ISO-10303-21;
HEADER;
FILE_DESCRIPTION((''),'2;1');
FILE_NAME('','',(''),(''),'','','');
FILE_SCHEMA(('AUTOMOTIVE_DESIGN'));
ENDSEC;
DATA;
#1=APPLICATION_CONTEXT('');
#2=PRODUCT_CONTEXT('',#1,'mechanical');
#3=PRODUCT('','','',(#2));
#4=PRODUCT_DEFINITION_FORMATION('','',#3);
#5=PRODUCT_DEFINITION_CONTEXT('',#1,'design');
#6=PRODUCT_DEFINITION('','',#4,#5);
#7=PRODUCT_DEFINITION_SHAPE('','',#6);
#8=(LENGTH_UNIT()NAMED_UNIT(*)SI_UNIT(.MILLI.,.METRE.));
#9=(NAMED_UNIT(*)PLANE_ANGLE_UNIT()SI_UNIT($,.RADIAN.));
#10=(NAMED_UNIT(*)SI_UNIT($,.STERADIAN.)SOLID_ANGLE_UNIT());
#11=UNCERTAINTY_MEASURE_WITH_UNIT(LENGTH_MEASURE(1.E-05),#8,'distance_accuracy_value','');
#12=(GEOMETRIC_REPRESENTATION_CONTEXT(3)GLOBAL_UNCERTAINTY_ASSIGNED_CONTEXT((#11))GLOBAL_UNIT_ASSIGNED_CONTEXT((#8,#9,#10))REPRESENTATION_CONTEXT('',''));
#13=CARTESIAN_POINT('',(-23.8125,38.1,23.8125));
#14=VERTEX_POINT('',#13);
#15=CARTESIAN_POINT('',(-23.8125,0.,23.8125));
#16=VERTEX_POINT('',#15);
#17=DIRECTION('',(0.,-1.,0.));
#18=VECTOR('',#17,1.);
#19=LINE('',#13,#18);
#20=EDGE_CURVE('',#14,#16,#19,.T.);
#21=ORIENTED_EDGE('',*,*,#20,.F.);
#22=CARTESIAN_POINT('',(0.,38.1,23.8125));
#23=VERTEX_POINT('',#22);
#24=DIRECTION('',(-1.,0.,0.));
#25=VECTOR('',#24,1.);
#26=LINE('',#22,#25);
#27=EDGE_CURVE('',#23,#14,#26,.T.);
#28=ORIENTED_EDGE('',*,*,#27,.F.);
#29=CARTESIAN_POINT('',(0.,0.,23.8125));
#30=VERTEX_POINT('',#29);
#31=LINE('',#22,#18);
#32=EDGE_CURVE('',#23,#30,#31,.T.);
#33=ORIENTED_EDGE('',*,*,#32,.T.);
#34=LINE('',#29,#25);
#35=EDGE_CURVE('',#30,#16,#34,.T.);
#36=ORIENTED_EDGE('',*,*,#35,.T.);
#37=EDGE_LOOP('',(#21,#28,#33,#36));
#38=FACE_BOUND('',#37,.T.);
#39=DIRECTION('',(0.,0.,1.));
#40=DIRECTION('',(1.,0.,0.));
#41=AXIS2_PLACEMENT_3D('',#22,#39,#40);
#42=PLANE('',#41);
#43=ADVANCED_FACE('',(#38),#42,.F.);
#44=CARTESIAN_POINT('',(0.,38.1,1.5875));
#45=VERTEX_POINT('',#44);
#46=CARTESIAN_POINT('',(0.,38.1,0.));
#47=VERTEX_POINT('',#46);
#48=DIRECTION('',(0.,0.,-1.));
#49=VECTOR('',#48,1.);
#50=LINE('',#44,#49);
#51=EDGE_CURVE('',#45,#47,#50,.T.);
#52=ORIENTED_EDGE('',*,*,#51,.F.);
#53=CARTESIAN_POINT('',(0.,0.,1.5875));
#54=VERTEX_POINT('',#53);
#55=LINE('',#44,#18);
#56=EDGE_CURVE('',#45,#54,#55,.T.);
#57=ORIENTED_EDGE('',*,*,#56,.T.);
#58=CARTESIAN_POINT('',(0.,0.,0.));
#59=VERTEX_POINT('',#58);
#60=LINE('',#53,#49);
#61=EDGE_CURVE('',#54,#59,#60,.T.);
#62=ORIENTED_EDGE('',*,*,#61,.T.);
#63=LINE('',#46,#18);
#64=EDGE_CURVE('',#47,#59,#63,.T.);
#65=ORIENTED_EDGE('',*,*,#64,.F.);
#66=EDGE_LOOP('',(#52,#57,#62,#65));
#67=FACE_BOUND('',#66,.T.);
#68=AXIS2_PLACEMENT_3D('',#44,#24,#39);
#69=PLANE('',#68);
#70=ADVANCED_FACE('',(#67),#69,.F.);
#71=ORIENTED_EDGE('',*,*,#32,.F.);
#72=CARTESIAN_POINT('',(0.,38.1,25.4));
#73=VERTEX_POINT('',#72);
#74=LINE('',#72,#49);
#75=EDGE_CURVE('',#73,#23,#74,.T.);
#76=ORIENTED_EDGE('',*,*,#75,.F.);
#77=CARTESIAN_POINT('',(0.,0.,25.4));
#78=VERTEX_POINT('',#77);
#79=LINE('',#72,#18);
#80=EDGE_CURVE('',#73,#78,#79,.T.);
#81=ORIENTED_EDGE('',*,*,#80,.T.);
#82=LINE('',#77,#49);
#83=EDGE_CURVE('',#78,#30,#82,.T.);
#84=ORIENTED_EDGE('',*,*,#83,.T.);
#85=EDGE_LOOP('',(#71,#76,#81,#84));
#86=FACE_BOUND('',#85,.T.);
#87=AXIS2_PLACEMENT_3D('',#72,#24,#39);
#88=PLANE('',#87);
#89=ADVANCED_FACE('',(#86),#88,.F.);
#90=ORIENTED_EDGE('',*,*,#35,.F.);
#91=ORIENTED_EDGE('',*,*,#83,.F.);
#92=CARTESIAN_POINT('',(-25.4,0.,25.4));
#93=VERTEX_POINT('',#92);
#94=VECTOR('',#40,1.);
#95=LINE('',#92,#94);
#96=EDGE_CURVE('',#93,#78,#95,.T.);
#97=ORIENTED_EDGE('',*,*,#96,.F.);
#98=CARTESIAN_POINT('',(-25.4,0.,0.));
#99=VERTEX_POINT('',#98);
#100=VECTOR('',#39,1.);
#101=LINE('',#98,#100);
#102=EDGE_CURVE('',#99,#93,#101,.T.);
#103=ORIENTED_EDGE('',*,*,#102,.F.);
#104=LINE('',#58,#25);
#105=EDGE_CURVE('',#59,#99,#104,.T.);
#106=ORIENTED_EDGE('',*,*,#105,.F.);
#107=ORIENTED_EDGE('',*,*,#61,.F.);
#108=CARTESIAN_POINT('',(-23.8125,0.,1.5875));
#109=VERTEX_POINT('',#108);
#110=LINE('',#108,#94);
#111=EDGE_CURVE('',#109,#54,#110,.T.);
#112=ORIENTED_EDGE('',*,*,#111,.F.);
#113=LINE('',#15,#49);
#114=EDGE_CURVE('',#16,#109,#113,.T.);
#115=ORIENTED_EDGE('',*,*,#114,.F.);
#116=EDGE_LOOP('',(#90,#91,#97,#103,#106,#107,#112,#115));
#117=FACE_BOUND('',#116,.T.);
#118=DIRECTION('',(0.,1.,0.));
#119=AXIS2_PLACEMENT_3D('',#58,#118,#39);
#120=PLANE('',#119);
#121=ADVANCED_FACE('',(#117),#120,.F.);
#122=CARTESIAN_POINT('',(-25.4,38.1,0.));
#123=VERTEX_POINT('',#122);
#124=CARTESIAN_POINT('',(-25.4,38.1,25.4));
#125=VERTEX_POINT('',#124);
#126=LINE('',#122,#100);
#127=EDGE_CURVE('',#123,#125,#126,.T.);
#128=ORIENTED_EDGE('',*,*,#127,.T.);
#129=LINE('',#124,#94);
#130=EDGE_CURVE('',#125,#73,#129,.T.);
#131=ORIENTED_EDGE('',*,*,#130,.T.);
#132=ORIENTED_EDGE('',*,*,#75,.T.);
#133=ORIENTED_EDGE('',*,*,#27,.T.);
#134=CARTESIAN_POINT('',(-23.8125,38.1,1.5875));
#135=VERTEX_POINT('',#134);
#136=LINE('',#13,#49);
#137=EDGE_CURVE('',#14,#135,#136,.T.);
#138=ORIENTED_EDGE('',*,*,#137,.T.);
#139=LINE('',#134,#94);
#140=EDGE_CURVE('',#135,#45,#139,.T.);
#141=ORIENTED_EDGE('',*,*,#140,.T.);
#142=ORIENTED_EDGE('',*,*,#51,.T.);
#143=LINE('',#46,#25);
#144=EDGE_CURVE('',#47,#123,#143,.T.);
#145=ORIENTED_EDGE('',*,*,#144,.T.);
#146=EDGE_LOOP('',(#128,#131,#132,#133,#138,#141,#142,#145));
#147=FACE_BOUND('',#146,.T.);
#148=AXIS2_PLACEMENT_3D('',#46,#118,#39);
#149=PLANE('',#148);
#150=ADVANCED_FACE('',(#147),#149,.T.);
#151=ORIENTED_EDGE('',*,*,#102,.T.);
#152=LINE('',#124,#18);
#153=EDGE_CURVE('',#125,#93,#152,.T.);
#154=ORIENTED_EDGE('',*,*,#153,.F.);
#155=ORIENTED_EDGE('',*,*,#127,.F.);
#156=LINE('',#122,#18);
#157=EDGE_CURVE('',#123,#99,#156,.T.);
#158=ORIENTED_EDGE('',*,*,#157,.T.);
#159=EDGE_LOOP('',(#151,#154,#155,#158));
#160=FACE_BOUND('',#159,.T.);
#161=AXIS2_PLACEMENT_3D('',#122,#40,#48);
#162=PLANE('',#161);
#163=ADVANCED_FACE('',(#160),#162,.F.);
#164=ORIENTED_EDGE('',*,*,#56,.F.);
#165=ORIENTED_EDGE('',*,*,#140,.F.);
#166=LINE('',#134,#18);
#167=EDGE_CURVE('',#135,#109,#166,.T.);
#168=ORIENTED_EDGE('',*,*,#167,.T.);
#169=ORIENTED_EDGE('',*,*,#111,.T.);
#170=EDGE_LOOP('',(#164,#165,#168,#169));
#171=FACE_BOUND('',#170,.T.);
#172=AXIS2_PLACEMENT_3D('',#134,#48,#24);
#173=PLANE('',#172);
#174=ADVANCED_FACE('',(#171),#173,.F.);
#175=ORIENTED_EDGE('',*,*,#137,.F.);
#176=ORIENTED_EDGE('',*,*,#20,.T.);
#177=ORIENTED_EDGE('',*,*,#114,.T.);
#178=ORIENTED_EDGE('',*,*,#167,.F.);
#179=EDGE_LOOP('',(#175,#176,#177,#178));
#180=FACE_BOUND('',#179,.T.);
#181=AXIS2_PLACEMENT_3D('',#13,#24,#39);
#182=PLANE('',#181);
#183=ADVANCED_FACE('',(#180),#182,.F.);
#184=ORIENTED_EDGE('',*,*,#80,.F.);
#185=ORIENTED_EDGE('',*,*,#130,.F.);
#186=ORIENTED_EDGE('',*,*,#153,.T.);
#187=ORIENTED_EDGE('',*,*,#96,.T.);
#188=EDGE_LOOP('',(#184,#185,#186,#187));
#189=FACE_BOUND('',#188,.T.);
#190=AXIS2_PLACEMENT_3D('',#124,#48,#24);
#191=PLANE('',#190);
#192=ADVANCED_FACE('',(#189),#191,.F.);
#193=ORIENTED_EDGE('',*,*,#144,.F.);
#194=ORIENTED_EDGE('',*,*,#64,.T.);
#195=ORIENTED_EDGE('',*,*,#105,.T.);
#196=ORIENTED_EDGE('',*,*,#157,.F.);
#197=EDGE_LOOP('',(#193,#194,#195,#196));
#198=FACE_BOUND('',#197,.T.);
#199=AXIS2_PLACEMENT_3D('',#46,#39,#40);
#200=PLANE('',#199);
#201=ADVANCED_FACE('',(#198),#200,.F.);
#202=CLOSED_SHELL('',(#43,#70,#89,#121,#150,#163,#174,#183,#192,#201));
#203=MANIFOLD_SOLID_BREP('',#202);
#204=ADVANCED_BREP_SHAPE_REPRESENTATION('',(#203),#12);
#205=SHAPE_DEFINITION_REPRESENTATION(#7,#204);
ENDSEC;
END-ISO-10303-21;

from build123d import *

# Parameters (mm, degrees)
BOSS_EXTRUDE1_DEPTH = 38.1


with BuildPart() as part:
    # Sketch1 → Boss-Extrude1 (new body)
    with BuildSketch(Plane(origin=(0, 0, 0), x_dir=(1, 0, 0), z_dir=(0, 1, 0))):
        Polygon((0, 0), (-25.4, 0), (-25.4, -25.4), (0, -25.4), (0, -23.8125), (-23.8125, -23.8125), (-23.8125, -1.5875), (0, -1.5875), align=None)
    extrude(amount=BOSS_EXTRUDE1_DEPTH)


solid = part.part
